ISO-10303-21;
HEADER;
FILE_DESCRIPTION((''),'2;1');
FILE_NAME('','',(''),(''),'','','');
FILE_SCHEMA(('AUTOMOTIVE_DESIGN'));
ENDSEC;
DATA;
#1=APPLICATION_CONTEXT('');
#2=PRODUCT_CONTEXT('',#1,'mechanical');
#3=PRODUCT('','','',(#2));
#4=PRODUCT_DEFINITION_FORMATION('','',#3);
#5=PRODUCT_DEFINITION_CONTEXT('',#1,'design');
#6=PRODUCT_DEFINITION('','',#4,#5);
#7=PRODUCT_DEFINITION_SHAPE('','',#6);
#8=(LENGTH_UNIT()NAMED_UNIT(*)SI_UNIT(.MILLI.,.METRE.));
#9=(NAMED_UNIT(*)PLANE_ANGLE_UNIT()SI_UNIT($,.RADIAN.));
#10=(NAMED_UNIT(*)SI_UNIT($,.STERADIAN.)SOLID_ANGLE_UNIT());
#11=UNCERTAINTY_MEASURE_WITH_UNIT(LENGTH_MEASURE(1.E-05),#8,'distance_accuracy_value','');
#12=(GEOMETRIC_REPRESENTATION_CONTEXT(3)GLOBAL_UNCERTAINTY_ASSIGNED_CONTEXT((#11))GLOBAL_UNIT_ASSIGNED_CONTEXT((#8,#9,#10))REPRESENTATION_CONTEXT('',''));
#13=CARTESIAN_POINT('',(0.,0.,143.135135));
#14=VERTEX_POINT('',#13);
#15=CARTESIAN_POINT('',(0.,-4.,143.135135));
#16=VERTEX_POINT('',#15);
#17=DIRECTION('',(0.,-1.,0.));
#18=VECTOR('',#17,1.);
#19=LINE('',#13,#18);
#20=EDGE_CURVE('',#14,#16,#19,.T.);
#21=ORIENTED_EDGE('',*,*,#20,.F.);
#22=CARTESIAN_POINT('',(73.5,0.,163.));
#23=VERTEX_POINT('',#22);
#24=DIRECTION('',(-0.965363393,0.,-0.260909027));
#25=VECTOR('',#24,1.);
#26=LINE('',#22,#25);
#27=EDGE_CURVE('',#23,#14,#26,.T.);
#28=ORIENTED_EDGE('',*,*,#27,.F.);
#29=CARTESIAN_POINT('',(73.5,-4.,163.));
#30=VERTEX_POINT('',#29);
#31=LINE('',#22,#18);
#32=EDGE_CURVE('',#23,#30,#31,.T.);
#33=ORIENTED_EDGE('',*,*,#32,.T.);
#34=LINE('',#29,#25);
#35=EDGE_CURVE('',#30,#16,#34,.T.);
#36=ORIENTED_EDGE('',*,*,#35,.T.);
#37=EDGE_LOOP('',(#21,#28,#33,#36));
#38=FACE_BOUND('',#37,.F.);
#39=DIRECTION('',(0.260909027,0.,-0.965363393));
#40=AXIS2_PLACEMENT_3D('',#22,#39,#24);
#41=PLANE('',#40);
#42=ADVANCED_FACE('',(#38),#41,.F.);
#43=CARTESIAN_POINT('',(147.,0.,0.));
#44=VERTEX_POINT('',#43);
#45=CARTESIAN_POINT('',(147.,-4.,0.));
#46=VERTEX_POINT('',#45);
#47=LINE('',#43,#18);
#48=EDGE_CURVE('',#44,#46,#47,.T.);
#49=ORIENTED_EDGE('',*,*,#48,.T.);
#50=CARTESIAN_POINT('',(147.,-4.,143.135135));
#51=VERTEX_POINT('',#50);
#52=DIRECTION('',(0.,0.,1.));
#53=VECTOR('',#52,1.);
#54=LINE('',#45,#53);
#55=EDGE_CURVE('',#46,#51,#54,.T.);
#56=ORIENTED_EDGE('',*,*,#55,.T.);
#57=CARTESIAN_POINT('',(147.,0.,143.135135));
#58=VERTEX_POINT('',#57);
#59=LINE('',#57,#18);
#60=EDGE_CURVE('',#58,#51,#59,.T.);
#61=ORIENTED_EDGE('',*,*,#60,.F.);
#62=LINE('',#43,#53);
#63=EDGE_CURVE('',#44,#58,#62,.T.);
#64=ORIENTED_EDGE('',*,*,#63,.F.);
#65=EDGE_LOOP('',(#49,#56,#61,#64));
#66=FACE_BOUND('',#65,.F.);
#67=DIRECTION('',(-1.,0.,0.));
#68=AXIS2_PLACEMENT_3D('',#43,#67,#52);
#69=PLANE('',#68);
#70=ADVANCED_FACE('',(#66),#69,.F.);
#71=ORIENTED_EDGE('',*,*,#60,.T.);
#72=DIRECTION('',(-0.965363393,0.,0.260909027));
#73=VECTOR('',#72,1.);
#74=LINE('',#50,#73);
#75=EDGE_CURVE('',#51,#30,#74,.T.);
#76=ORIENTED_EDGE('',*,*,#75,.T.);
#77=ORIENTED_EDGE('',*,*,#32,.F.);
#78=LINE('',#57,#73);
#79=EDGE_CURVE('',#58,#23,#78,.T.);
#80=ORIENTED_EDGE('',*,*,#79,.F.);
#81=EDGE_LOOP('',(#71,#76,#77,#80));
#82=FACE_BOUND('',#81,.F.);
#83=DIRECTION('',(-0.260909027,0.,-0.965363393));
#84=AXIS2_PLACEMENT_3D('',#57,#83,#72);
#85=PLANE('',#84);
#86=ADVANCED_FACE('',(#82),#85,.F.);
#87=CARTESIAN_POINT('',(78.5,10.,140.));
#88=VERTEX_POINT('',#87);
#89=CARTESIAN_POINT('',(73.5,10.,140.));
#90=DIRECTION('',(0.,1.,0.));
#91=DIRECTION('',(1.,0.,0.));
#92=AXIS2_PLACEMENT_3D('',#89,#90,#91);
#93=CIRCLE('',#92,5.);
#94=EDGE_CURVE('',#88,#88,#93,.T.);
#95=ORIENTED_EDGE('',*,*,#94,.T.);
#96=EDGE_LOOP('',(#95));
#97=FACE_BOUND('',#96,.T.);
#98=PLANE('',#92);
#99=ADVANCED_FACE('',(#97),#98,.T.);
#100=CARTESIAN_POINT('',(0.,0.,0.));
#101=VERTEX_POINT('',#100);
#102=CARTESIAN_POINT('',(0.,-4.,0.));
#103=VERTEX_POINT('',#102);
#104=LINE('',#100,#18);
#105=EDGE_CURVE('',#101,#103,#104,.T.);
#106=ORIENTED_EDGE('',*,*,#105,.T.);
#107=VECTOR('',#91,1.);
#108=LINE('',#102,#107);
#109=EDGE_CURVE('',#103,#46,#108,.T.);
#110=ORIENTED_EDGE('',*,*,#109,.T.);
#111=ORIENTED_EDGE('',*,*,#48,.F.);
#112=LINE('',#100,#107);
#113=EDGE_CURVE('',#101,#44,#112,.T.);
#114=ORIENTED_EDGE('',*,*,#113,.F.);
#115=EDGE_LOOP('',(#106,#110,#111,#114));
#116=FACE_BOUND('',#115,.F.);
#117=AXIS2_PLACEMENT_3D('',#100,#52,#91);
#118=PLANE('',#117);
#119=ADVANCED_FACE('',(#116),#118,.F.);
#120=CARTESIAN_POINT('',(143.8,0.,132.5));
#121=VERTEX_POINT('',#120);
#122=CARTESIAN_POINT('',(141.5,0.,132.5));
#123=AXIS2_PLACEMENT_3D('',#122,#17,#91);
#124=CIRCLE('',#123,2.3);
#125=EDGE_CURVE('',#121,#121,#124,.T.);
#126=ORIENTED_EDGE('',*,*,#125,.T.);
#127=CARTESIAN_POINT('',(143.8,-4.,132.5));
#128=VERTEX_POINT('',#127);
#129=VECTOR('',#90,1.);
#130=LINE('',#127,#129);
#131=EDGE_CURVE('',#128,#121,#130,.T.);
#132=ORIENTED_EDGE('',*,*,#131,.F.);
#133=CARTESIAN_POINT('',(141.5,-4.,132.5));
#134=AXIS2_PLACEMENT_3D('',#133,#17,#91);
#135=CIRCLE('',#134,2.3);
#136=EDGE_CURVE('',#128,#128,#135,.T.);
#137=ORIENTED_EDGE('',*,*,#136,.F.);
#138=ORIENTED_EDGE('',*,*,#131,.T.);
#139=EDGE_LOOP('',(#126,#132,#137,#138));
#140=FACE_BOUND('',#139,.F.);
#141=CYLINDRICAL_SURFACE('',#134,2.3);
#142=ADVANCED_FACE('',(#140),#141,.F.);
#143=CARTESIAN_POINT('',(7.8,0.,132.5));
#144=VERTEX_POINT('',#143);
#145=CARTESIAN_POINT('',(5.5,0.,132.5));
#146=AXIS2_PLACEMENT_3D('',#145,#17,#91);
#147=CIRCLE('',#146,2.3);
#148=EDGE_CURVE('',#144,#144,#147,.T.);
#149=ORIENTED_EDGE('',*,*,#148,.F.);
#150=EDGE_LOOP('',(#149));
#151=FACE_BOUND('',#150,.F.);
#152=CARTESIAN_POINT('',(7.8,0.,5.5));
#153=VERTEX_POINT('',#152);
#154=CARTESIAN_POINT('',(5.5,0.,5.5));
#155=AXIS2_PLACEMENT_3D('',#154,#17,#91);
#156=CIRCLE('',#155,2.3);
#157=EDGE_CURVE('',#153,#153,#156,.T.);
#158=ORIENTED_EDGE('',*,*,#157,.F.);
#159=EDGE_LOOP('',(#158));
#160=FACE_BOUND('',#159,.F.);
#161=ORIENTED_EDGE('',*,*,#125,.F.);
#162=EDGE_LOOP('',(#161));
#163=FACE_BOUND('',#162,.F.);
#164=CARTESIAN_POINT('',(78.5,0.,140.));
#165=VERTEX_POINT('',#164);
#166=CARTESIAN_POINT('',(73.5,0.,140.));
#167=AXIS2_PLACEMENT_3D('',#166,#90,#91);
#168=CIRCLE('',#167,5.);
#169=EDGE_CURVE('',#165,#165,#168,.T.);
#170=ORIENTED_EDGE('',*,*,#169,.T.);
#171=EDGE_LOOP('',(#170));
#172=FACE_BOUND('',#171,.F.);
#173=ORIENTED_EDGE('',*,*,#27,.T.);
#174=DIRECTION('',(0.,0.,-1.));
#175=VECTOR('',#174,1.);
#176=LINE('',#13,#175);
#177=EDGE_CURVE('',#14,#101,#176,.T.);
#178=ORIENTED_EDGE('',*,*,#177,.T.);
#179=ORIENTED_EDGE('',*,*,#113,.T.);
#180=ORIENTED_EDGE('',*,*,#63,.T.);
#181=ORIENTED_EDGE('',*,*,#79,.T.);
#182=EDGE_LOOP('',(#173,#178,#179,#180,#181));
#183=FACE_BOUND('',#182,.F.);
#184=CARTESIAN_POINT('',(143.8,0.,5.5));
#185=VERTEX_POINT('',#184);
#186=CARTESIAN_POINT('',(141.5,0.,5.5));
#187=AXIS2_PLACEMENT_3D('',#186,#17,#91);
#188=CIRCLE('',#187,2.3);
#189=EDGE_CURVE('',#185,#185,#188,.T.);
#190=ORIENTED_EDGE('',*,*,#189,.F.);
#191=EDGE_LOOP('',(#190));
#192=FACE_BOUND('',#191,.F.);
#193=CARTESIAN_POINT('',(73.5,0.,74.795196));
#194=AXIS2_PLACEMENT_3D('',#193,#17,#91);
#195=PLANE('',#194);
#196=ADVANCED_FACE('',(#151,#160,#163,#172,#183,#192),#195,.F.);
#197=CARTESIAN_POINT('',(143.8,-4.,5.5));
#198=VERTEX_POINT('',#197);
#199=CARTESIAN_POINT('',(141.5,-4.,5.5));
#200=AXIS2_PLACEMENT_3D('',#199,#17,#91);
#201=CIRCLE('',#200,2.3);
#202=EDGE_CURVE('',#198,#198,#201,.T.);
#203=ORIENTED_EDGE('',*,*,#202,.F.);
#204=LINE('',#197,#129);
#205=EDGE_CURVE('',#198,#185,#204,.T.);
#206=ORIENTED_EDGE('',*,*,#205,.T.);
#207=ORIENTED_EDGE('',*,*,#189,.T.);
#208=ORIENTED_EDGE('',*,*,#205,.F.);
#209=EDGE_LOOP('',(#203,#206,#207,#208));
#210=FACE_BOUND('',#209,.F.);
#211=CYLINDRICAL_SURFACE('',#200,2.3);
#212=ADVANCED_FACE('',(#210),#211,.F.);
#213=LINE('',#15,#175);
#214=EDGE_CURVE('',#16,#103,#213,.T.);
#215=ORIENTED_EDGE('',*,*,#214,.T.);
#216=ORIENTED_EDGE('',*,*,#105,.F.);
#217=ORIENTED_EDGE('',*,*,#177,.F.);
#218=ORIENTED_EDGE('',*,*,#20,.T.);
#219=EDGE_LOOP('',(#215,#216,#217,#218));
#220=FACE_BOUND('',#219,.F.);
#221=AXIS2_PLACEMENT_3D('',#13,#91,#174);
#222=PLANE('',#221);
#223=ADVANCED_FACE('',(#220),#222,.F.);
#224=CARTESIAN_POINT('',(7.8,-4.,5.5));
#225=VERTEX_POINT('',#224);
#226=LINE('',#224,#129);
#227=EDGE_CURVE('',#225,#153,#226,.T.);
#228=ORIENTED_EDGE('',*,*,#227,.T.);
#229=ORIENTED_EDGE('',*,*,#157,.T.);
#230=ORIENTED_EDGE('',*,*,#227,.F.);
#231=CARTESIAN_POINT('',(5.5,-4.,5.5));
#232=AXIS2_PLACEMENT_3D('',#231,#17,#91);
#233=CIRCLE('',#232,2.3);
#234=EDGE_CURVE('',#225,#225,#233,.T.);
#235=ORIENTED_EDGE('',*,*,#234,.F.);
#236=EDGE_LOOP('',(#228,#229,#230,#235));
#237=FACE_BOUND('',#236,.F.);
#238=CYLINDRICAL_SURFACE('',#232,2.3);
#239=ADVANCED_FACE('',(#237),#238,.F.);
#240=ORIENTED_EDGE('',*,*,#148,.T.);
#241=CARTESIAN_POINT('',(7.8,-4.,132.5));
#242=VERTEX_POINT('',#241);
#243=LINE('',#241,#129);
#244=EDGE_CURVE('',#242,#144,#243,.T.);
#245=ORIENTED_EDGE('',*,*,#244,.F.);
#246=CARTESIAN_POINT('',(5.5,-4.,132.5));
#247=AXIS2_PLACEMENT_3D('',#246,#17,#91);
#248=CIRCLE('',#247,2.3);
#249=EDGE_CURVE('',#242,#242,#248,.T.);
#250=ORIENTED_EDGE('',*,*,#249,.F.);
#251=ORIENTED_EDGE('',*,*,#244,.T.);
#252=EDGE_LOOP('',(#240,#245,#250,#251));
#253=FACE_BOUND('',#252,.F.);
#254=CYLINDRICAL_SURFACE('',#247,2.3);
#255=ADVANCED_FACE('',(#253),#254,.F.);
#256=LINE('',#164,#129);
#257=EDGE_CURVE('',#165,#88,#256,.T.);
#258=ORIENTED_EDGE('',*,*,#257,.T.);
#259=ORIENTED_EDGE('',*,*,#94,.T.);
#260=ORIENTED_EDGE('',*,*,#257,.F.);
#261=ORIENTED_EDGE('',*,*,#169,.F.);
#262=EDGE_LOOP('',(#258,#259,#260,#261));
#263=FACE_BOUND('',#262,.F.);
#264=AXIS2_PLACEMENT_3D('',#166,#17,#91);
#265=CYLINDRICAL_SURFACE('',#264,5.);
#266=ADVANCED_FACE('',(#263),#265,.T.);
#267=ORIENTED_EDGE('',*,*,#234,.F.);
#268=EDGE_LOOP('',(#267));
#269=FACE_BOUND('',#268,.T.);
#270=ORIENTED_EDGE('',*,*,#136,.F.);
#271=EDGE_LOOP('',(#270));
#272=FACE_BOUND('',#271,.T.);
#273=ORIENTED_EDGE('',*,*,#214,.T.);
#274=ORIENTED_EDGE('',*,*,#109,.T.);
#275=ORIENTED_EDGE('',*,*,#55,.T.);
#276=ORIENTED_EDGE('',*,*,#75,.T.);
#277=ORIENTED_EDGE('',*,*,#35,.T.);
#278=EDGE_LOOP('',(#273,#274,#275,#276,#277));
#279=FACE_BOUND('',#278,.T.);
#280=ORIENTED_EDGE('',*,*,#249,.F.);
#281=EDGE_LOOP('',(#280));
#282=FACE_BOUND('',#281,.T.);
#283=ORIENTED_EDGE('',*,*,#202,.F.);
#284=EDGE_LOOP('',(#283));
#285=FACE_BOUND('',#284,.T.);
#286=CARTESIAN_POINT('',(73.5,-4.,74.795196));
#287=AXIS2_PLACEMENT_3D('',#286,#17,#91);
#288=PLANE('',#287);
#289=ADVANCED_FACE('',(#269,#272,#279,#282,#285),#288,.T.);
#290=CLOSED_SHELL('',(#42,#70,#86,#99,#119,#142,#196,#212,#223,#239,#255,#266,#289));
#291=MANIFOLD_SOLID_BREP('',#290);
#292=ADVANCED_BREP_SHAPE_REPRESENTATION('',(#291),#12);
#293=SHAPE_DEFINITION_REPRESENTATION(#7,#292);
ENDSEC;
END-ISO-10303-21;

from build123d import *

# Parameters (mm, degrees)
PAD_DEPTH    = 4
SKETCH001_R  = 2.3
POCKET_DEPTH = 5
SKETCH002_R  = 5
PAD001_DEPTH = 10


with BuildPart() as part:
    # Sketch → Pad (new body)
    with BuildSketch(Plane.XZ):
        Polygon((0, 0), (147, 0), (147, 143.135135), (73.5, 163), (0, 143.135135), align=None)
    extrude(amount=PAD_DEPTH)

    # Sketch001 (on Face7 of Pad) → Pocket (cut)
    with BuildSketch(Plane.XZ.offset(4)):
        with Locations((5.5, 5.5)):
            Circle(SKETCH001_R)
        with Locations((141.5, 5.5)):
            Circle(SKETCH001_R)
        with Locations((141.5, 132.5)):
            Circle(SKETCH001_R)
        with Locations((5.5, 132.5)):
            Circle(SKETCH001_R)
    extrude(amount=-POCKET_DEPTH, mode=Mode.SUBTRACT)

    # Sketch002 (on Face4 of Pocket) → Pad001 (join)
    with BuildSketch(Plane(origin=(0, 0, 0), x_dir=(1, 0, 0), z_dir=(0, 1, 0))):
        with Locations((73.5, -140)):
            Circle(SKETCH002_R)
    extrude(amount=PAD001_DEPTH)


solid = part.part
